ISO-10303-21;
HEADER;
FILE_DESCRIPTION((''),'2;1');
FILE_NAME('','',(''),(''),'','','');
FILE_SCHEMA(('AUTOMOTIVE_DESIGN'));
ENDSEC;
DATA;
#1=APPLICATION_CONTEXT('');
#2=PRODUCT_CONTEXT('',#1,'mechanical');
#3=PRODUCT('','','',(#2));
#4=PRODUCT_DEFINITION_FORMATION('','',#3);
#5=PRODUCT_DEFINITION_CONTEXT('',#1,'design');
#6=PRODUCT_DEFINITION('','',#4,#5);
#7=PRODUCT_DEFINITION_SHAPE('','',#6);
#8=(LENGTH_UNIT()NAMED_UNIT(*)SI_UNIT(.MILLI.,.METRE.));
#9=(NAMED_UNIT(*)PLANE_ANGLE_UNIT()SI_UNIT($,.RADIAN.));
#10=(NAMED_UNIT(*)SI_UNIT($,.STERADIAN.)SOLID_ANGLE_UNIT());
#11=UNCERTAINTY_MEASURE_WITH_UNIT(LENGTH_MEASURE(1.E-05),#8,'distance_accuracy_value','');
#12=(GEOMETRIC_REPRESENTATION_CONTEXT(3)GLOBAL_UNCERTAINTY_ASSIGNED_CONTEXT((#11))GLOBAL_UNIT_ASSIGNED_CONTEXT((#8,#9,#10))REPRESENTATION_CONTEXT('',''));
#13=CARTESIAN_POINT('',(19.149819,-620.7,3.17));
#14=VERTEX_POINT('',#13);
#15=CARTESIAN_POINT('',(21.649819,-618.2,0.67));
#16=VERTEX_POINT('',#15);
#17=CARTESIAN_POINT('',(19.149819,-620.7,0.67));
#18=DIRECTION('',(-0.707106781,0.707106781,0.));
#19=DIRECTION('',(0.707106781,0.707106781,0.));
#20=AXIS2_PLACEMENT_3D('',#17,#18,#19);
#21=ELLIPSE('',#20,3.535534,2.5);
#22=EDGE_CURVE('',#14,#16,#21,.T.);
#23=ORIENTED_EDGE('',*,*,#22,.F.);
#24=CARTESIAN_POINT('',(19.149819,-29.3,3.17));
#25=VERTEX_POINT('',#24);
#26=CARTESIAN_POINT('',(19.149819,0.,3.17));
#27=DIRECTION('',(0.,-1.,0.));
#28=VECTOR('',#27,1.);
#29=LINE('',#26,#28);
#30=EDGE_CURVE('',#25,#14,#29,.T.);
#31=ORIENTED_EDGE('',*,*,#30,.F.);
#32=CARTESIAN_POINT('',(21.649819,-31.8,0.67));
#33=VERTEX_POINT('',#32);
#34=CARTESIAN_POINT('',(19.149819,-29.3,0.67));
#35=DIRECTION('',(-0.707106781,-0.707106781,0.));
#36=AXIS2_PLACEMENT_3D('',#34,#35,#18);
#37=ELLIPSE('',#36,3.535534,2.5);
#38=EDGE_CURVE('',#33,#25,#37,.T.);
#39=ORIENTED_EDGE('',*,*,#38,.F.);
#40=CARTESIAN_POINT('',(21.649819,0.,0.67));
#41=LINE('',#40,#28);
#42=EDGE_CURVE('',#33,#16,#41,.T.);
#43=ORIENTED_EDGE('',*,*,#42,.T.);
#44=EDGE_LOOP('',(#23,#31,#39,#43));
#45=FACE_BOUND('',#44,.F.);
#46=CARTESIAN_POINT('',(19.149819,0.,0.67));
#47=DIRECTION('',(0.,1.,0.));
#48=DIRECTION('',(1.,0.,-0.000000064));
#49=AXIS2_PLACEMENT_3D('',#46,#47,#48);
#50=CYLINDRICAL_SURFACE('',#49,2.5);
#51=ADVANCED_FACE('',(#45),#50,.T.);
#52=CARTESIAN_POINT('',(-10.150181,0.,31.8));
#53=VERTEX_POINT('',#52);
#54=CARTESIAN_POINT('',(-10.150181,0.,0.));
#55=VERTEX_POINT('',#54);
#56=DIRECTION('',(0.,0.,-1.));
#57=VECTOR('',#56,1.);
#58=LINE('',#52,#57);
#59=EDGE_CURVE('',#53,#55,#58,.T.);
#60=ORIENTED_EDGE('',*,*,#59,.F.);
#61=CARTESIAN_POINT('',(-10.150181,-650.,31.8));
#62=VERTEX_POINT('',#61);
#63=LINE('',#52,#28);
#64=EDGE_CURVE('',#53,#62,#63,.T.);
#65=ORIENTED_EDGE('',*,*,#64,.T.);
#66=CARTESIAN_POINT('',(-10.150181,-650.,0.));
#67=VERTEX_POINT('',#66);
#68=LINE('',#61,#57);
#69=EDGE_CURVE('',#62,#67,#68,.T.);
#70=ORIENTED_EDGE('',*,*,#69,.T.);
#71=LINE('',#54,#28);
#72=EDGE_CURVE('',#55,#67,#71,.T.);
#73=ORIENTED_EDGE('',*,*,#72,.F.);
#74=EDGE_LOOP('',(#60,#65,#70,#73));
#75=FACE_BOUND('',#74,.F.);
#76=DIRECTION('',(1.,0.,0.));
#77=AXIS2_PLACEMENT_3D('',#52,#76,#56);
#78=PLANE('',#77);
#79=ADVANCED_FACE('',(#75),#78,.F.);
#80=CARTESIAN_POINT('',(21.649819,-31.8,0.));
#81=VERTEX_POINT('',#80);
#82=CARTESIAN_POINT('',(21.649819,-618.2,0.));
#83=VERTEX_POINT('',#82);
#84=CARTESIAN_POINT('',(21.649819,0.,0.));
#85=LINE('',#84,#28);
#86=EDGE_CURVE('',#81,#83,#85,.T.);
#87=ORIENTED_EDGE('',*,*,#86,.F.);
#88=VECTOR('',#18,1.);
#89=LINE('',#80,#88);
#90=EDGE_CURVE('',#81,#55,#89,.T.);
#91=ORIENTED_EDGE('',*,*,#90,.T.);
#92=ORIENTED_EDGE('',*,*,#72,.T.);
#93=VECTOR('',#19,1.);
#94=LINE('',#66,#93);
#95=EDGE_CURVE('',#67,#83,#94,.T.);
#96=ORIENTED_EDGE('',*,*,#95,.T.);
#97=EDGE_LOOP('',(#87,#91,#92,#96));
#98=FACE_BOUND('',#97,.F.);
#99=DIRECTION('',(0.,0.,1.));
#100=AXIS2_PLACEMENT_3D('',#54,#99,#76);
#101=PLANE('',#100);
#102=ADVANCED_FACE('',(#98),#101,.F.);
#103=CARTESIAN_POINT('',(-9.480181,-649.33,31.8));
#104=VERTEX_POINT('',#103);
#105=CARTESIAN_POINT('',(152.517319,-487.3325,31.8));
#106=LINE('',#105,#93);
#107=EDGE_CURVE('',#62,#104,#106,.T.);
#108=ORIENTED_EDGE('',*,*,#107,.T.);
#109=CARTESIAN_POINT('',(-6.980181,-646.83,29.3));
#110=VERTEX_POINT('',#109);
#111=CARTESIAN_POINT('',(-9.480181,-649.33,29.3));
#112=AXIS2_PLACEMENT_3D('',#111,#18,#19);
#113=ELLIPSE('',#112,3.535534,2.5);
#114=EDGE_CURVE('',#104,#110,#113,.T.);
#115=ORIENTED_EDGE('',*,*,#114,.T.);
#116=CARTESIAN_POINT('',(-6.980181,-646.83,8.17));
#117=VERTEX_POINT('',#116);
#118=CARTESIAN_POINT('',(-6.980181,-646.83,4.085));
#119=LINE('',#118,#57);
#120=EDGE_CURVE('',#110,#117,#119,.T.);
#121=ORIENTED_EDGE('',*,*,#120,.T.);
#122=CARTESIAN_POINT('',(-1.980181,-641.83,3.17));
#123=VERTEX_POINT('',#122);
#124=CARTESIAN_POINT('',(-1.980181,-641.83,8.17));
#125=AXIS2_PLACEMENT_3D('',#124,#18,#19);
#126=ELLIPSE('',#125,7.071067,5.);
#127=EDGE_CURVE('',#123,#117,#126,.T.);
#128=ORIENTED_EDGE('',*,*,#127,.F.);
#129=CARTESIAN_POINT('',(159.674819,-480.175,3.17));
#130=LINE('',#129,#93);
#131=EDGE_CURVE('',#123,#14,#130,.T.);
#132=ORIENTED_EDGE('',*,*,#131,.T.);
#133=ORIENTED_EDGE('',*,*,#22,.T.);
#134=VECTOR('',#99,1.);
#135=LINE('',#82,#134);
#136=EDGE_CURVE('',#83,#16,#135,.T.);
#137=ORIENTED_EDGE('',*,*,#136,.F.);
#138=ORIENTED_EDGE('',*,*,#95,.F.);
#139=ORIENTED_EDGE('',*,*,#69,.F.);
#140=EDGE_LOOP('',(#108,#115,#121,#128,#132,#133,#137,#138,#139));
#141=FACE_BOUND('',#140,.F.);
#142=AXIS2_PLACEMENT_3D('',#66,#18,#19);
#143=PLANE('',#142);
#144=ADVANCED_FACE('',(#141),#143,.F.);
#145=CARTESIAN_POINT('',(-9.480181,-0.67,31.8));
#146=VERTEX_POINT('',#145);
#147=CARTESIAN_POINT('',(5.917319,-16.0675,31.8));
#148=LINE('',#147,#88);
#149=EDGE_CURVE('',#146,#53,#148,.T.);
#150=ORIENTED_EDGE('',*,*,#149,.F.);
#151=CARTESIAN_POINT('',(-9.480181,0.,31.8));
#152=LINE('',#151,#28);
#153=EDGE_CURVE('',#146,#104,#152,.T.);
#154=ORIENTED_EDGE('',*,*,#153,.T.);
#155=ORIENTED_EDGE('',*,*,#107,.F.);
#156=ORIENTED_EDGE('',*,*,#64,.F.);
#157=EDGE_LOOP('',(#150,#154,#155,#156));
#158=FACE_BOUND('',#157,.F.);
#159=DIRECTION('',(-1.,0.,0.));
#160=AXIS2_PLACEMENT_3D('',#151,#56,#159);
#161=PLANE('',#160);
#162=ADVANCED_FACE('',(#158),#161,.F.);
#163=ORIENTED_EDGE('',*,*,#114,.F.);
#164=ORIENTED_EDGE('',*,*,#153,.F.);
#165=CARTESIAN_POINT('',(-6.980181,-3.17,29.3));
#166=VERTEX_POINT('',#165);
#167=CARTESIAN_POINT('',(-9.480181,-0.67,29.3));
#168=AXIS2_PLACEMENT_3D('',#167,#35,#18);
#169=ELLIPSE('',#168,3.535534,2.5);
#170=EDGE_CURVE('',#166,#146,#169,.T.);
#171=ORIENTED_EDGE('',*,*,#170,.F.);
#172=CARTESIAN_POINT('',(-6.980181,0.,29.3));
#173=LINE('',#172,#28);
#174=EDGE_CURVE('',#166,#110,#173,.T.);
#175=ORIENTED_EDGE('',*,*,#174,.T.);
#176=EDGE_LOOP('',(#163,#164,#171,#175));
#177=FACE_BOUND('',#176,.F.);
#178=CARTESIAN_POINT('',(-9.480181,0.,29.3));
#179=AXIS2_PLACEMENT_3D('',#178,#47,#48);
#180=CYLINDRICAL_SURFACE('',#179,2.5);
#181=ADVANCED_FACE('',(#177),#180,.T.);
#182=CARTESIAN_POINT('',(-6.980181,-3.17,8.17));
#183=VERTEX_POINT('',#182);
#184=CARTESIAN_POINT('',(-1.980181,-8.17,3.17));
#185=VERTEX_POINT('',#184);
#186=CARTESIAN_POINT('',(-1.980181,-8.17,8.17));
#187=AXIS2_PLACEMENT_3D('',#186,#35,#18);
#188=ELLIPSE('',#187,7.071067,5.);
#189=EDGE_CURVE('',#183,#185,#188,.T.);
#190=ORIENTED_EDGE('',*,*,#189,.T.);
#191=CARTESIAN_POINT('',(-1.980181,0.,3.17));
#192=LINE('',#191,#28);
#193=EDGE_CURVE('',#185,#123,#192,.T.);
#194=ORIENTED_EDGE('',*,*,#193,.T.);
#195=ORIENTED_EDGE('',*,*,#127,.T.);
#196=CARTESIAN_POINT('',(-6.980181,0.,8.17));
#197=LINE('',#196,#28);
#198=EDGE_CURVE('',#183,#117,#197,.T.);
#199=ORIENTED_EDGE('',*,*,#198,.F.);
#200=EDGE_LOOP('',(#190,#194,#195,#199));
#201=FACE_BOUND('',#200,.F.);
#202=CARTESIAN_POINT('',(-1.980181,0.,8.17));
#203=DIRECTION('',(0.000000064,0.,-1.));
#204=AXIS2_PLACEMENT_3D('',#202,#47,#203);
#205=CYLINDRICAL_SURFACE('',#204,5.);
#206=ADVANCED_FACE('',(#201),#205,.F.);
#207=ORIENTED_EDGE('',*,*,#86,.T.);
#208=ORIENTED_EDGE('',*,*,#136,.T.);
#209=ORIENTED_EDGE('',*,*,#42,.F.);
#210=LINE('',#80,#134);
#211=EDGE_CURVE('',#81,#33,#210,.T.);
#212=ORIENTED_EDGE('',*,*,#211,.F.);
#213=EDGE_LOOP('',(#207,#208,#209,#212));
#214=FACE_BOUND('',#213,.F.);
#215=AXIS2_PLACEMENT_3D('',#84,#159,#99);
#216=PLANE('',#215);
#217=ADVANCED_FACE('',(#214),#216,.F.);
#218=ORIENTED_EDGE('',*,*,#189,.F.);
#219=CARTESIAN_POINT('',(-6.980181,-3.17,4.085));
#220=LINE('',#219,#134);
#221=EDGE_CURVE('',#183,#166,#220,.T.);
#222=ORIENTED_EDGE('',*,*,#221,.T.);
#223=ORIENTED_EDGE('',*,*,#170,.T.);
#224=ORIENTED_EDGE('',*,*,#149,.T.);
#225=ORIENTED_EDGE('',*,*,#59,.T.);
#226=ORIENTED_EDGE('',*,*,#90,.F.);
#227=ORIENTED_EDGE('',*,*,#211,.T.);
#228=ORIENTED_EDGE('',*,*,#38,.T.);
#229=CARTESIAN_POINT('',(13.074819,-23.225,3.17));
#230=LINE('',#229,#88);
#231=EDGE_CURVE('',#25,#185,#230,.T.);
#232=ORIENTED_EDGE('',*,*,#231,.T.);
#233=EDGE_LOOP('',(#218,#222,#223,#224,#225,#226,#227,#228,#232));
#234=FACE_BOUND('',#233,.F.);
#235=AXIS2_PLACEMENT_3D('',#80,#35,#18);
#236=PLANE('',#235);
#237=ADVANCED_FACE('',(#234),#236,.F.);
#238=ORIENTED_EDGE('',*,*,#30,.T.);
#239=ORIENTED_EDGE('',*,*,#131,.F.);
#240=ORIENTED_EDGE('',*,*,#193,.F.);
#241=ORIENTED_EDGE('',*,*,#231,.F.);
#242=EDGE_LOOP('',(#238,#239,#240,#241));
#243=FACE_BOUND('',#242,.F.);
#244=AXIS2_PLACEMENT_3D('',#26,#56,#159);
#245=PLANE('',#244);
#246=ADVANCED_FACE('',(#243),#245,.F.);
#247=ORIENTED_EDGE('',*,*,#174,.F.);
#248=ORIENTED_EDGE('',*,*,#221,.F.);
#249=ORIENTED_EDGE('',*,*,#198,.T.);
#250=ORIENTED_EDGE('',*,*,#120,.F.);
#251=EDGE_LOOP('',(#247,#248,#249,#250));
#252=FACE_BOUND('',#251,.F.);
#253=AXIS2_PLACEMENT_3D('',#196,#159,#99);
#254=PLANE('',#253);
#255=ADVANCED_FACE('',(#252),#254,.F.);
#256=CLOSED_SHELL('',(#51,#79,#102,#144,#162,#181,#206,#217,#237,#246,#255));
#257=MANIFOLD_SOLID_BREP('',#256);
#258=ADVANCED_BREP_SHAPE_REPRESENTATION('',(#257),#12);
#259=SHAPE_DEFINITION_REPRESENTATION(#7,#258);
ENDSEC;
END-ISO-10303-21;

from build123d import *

# Parameters (mm, degrees)
F1_DEPTH = 650
F3_DEPTH = 40


with BuildPart() as f1:
    # F0 (on Front) → F1 (new body)
    with BuildSketch(Plane.XZ):
        with BuildLine():
            Line((-9.480181, 31.8), (-10.150181, 31.8))
            Line((-10.150181, 31.8), (-10.150181, 0))
            Line((-10.150181, 0), (21.649819, 0))
            Line((21.649819, 0), (21.649819, 0.67))
            ThreePointArc((21.649819, 0.67), (20.917586, 2.437767), (19.149819, 3.17))
            Line((19.149819, 3.17), (-1.980181, 3.17))
            ThreePointArc((-1.980181, 3.17), (-5.515715, 4.634466), (-6.980181, 8.17))
            Line((-6.980181, 8.17), (-6.980181, 29.3))
            ThreePointArc((-6.980181, 29.3), (-7.712414, 31.067767), (-9.480181, 31.8))
        make_face()
    extrude(amount=F1_DEPTH)

    # F2 (on face) → F3 (cut)
    with BuildSketch(Plane(origin=(0, 0, 0), x_dir=(1, 0, 0), z_dir=(0, 0, -1))):
        Polygon((21.649819, 650), (-10.150181, 650), (21.649819, 618.2), align=None)
        Polygon((21.649819, 31.8), (-10.150181, 0), (21.649819, 0), align=None)
    extrude(amount=-F3_DEPTH, mode=Mode.SUBTRACT)


solid = f1.part
